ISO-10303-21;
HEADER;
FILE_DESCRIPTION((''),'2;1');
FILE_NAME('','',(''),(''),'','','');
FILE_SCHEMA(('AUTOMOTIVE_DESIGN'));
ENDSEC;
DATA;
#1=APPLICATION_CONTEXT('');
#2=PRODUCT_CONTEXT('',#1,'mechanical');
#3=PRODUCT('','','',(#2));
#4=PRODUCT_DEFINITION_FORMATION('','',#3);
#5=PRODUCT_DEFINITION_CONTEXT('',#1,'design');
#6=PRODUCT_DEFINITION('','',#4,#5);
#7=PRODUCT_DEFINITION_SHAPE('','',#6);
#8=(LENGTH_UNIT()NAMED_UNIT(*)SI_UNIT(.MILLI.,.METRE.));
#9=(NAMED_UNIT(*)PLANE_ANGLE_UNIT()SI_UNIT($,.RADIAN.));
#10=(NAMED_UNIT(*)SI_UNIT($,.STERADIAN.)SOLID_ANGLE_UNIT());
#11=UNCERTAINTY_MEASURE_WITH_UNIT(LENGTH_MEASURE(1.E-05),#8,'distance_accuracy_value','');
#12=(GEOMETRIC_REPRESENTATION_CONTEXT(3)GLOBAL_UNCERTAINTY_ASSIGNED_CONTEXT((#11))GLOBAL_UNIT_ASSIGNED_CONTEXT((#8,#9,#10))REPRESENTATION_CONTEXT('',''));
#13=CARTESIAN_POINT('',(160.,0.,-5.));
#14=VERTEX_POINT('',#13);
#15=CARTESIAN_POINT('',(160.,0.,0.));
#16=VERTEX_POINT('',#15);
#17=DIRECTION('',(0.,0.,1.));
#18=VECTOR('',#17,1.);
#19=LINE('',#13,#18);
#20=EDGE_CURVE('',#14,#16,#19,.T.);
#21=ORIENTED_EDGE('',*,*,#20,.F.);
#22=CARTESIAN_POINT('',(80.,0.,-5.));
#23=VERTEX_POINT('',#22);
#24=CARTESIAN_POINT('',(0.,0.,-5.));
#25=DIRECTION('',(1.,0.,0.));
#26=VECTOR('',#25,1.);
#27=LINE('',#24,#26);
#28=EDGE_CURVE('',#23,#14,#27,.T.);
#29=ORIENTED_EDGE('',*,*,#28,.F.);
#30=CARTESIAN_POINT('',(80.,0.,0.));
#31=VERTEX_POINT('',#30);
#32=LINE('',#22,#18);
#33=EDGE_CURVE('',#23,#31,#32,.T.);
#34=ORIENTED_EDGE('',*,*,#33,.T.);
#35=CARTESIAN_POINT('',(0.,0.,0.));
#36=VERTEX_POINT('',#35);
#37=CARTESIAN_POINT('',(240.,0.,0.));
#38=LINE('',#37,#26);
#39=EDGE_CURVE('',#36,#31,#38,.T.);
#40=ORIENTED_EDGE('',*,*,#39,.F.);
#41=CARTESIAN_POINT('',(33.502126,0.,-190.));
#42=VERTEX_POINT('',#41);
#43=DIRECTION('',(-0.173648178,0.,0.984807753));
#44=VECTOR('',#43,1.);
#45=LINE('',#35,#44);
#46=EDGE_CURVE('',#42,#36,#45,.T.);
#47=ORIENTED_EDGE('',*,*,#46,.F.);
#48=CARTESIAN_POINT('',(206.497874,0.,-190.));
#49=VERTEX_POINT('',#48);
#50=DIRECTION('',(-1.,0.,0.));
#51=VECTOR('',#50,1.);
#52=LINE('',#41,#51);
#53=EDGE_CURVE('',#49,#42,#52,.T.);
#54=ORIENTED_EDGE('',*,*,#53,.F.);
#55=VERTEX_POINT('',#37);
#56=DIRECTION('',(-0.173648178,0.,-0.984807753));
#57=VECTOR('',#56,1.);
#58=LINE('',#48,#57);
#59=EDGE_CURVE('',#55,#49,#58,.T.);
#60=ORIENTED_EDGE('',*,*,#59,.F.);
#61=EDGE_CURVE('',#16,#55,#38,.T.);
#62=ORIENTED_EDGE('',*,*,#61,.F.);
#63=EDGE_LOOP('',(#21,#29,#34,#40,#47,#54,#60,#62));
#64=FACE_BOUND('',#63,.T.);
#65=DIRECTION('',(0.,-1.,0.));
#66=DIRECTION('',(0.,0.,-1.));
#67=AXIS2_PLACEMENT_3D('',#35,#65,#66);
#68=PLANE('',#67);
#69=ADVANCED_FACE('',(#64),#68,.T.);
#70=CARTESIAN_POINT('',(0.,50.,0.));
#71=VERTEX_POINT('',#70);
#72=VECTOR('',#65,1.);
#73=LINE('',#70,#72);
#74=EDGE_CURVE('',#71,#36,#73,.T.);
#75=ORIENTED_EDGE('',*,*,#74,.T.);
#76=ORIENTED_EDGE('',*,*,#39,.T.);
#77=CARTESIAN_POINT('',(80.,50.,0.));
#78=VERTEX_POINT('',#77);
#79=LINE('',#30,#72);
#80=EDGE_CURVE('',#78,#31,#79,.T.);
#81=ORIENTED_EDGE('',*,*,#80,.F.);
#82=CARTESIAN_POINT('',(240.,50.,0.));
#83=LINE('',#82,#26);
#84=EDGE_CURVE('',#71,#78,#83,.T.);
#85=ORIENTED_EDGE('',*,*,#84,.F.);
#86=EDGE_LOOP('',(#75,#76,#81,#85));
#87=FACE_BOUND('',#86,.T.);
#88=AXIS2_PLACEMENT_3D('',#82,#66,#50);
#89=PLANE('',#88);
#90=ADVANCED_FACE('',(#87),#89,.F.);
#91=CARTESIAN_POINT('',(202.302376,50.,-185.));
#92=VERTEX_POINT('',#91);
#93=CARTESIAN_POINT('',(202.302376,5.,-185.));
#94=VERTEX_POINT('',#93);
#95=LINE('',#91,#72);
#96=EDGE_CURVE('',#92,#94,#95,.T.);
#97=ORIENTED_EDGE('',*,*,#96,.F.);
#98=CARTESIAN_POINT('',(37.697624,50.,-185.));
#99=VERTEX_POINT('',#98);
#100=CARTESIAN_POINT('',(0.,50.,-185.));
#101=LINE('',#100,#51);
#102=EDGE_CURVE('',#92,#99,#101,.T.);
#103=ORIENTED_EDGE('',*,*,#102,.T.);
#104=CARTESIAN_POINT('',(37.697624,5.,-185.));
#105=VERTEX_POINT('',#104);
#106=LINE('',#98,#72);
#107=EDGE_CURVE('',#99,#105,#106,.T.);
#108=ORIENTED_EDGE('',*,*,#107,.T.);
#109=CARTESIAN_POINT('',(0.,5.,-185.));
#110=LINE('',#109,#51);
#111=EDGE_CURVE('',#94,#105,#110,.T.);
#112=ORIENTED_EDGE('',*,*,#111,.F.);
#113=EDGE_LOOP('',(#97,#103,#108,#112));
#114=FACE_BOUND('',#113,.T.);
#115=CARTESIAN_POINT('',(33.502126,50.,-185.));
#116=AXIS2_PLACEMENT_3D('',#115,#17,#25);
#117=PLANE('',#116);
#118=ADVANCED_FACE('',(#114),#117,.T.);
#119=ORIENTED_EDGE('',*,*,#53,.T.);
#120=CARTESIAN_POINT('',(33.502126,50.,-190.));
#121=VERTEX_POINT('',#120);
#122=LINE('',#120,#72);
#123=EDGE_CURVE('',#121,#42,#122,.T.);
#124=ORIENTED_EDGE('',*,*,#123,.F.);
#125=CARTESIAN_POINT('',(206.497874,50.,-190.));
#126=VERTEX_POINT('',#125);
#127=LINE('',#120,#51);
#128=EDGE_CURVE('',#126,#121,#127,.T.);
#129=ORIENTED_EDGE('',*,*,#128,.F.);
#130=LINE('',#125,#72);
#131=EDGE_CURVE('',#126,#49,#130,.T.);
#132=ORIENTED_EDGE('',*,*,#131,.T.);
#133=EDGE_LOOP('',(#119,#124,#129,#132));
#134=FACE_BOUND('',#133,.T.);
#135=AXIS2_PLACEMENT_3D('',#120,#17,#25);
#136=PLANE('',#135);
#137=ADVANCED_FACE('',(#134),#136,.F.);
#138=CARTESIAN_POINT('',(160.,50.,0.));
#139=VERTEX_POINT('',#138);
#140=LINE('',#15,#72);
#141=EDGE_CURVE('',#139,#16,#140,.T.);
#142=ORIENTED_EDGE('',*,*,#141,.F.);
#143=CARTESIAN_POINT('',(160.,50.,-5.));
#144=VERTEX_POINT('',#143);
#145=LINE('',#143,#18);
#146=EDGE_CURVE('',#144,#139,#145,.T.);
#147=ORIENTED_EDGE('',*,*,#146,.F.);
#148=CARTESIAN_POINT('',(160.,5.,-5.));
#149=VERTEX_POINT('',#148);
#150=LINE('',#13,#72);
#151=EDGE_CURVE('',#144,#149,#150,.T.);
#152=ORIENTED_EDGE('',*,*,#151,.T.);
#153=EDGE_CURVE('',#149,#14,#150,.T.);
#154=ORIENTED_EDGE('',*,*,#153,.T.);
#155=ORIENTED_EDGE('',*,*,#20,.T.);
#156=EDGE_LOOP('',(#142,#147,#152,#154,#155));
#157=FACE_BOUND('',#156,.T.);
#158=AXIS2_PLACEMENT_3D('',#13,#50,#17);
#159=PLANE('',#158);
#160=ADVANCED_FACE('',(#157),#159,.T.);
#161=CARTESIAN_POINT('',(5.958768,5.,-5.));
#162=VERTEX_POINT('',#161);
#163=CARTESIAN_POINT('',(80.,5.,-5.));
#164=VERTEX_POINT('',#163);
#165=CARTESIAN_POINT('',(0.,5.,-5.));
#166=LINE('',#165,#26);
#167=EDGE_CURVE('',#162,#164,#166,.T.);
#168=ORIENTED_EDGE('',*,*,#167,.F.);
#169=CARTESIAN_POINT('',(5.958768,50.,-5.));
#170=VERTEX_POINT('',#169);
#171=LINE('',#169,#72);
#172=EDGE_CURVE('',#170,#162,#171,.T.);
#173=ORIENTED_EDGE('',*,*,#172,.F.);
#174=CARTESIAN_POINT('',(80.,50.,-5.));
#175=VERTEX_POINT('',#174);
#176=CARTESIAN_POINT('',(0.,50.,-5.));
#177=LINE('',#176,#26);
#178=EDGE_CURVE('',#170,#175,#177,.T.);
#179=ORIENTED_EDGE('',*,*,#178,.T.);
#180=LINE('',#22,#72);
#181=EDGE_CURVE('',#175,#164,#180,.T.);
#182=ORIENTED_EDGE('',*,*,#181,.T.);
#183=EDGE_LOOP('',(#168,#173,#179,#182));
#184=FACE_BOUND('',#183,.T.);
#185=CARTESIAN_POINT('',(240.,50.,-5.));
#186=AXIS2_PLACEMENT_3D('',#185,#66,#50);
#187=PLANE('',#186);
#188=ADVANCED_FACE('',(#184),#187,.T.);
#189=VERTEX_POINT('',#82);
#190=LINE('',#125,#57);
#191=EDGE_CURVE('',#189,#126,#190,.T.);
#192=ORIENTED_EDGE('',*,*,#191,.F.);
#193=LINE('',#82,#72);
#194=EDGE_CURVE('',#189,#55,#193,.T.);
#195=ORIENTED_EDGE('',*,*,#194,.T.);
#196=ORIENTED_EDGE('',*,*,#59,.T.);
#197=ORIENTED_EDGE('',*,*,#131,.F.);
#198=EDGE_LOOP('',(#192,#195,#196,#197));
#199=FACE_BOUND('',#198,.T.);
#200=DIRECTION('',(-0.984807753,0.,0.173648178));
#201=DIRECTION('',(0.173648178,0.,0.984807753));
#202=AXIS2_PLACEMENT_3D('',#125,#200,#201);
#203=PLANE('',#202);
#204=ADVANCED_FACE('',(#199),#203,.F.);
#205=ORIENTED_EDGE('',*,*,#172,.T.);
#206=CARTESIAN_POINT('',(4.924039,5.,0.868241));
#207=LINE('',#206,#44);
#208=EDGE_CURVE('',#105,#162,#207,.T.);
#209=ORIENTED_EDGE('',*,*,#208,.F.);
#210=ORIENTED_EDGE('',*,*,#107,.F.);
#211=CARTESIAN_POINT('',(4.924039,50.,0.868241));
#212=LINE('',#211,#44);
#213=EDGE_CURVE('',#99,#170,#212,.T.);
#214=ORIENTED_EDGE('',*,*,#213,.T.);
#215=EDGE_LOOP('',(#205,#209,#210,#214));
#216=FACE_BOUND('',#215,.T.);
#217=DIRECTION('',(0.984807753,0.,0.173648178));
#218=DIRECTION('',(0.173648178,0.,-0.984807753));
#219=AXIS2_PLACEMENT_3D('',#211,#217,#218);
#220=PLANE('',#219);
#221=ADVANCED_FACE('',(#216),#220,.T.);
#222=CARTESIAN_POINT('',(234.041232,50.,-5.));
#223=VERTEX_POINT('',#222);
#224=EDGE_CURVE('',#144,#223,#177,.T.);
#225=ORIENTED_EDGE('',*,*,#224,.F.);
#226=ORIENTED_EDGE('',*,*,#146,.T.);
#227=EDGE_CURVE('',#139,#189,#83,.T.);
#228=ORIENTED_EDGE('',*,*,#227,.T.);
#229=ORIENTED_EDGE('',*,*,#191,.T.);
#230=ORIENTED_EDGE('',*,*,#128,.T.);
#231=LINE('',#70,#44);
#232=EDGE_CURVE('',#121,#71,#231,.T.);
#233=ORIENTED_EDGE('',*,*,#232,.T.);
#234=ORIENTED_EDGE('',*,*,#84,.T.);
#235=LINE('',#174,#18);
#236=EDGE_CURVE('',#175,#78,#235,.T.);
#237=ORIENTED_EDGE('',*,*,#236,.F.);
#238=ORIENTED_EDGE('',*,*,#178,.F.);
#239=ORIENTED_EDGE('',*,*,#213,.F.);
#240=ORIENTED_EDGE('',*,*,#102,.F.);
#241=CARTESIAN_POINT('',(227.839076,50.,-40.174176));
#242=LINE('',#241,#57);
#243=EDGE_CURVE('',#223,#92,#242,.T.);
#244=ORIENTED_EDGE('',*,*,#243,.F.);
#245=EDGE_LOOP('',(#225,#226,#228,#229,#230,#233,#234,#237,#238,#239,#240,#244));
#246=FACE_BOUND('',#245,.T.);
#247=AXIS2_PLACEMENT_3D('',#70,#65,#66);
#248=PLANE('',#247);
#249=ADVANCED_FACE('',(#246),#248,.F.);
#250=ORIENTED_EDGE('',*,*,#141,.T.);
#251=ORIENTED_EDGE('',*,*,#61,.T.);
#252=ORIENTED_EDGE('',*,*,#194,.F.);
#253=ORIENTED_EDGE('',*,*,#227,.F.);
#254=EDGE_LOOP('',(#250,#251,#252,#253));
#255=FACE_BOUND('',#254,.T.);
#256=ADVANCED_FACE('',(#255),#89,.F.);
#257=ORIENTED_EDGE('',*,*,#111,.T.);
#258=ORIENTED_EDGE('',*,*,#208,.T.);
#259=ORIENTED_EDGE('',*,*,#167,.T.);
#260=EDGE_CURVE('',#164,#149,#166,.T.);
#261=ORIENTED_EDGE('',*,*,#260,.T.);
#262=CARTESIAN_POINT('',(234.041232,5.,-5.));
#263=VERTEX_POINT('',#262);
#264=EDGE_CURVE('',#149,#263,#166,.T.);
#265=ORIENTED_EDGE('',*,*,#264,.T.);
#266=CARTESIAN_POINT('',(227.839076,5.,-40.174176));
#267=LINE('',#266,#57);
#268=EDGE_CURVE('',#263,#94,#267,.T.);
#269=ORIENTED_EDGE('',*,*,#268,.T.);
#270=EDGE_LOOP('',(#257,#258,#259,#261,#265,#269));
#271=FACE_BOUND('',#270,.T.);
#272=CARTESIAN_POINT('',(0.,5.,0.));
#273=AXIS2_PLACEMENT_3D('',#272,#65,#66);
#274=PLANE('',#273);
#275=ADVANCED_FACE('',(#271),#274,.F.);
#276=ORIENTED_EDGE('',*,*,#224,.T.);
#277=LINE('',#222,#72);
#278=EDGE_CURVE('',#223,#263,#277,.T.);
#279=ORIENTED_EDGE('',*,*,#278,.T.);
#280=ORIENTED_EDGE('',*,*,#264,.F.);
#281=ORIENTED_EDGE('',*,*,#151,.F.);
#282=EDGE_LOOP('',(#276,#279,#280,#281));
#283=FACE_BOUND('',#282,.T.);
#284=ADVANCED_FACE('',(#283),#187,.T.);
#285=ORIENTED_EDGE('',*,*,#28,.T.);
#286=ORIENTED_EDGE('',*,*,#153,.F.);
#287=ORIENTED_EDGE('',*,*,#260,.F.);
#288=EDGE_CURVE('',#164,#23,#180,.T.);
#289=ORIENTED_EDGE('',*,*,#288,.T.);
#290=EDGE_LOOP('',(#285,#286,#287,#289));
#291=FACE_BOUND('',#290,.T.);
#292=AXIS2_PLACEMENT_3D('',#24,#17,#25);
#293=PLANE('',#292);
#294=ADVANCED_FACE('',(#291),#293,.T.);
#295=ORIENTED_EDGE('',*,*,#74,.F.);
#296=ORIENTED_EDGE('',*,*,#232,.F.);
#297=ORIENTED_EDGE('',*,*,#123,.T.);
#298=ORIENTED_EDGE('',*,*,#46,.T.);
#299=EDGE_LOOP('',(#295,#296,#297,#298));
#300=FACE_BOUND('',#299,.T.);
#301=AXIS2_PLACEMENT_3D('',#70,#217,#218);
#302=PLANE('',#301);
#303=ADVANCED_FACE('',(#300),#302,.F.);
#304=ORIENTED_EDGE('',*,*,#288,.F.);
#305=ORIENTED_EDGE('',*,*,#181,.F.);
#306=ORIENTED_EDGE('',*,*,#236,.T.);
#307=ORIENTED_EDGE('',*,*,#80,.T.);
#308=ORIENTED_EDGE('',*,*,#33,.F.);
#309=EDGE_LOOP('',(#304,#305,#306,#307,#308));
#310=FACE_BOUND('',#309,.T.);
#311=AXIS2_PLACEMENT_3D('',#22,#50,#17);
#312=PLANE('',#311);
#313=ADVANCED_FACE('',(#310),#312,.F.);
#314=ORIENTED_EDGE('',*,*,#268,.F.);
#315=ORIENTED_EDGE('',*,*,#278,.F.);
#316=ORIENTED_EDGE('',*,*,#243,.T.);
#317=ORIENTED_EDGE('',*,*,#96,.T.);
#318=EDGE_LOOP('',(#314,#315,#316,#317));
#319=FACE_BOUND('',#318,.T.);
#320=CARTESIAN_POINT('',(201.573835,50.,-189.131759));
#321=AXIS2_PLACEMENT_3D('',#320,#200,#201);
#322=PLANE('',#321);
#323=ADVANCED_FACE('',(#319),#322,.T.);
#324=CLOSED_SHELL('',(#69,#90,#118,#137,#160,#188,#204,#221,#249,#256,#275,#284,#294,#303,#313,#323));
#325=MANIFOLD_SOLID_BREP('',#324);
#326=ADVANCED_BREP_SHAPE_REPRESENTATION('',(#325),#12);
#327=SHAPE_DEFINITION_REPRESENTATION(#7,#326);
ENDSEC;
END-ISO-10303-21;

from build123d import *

# Parameters (mm, degrees)
BOSS_EXTRUDE1_DEPTH = 50
SHELL2_T            = -5
SKETCH3_W           = 80
SKETCH3_H           = 50
CUT_EXTRUDE1_DEPTH  = 5


with BuildPart() as part:
    # Sketch1 → Boss-Extrude1 (new body)
    with BuildSketch(Plane(origin=(0, 0, 0), x_dir=(1, 0, 0), z_dir=(0, 1, 0))):
        Polygon((0, 0), (33.502126335, 190), (206.497873665, 190), (240, 0), align=None)
    extrude(amount=BOSS_EXTRUDE1_DEPTH)

    # Shell2
    shell2_openings = [part.faces().sort_by_distance(p)[0] for p in [
        (120, 50, -95),
    ]]
    offset(amount=SHELL2_T, openings=shell2_openings, kind=Kind.INTERSECTION)

    # Sketch3 → Cut-Extrude1 (cut)
    with BuildSketch(Plane.XY):
        with Locations((120, 25)):
            Rectangle(SKETCH3_W, SKETCH3_H)
    extrude(amount=-CUT_EXTRUDE1_DEPTH, mode=Mode.SUBTRACT)


solid = part.part
